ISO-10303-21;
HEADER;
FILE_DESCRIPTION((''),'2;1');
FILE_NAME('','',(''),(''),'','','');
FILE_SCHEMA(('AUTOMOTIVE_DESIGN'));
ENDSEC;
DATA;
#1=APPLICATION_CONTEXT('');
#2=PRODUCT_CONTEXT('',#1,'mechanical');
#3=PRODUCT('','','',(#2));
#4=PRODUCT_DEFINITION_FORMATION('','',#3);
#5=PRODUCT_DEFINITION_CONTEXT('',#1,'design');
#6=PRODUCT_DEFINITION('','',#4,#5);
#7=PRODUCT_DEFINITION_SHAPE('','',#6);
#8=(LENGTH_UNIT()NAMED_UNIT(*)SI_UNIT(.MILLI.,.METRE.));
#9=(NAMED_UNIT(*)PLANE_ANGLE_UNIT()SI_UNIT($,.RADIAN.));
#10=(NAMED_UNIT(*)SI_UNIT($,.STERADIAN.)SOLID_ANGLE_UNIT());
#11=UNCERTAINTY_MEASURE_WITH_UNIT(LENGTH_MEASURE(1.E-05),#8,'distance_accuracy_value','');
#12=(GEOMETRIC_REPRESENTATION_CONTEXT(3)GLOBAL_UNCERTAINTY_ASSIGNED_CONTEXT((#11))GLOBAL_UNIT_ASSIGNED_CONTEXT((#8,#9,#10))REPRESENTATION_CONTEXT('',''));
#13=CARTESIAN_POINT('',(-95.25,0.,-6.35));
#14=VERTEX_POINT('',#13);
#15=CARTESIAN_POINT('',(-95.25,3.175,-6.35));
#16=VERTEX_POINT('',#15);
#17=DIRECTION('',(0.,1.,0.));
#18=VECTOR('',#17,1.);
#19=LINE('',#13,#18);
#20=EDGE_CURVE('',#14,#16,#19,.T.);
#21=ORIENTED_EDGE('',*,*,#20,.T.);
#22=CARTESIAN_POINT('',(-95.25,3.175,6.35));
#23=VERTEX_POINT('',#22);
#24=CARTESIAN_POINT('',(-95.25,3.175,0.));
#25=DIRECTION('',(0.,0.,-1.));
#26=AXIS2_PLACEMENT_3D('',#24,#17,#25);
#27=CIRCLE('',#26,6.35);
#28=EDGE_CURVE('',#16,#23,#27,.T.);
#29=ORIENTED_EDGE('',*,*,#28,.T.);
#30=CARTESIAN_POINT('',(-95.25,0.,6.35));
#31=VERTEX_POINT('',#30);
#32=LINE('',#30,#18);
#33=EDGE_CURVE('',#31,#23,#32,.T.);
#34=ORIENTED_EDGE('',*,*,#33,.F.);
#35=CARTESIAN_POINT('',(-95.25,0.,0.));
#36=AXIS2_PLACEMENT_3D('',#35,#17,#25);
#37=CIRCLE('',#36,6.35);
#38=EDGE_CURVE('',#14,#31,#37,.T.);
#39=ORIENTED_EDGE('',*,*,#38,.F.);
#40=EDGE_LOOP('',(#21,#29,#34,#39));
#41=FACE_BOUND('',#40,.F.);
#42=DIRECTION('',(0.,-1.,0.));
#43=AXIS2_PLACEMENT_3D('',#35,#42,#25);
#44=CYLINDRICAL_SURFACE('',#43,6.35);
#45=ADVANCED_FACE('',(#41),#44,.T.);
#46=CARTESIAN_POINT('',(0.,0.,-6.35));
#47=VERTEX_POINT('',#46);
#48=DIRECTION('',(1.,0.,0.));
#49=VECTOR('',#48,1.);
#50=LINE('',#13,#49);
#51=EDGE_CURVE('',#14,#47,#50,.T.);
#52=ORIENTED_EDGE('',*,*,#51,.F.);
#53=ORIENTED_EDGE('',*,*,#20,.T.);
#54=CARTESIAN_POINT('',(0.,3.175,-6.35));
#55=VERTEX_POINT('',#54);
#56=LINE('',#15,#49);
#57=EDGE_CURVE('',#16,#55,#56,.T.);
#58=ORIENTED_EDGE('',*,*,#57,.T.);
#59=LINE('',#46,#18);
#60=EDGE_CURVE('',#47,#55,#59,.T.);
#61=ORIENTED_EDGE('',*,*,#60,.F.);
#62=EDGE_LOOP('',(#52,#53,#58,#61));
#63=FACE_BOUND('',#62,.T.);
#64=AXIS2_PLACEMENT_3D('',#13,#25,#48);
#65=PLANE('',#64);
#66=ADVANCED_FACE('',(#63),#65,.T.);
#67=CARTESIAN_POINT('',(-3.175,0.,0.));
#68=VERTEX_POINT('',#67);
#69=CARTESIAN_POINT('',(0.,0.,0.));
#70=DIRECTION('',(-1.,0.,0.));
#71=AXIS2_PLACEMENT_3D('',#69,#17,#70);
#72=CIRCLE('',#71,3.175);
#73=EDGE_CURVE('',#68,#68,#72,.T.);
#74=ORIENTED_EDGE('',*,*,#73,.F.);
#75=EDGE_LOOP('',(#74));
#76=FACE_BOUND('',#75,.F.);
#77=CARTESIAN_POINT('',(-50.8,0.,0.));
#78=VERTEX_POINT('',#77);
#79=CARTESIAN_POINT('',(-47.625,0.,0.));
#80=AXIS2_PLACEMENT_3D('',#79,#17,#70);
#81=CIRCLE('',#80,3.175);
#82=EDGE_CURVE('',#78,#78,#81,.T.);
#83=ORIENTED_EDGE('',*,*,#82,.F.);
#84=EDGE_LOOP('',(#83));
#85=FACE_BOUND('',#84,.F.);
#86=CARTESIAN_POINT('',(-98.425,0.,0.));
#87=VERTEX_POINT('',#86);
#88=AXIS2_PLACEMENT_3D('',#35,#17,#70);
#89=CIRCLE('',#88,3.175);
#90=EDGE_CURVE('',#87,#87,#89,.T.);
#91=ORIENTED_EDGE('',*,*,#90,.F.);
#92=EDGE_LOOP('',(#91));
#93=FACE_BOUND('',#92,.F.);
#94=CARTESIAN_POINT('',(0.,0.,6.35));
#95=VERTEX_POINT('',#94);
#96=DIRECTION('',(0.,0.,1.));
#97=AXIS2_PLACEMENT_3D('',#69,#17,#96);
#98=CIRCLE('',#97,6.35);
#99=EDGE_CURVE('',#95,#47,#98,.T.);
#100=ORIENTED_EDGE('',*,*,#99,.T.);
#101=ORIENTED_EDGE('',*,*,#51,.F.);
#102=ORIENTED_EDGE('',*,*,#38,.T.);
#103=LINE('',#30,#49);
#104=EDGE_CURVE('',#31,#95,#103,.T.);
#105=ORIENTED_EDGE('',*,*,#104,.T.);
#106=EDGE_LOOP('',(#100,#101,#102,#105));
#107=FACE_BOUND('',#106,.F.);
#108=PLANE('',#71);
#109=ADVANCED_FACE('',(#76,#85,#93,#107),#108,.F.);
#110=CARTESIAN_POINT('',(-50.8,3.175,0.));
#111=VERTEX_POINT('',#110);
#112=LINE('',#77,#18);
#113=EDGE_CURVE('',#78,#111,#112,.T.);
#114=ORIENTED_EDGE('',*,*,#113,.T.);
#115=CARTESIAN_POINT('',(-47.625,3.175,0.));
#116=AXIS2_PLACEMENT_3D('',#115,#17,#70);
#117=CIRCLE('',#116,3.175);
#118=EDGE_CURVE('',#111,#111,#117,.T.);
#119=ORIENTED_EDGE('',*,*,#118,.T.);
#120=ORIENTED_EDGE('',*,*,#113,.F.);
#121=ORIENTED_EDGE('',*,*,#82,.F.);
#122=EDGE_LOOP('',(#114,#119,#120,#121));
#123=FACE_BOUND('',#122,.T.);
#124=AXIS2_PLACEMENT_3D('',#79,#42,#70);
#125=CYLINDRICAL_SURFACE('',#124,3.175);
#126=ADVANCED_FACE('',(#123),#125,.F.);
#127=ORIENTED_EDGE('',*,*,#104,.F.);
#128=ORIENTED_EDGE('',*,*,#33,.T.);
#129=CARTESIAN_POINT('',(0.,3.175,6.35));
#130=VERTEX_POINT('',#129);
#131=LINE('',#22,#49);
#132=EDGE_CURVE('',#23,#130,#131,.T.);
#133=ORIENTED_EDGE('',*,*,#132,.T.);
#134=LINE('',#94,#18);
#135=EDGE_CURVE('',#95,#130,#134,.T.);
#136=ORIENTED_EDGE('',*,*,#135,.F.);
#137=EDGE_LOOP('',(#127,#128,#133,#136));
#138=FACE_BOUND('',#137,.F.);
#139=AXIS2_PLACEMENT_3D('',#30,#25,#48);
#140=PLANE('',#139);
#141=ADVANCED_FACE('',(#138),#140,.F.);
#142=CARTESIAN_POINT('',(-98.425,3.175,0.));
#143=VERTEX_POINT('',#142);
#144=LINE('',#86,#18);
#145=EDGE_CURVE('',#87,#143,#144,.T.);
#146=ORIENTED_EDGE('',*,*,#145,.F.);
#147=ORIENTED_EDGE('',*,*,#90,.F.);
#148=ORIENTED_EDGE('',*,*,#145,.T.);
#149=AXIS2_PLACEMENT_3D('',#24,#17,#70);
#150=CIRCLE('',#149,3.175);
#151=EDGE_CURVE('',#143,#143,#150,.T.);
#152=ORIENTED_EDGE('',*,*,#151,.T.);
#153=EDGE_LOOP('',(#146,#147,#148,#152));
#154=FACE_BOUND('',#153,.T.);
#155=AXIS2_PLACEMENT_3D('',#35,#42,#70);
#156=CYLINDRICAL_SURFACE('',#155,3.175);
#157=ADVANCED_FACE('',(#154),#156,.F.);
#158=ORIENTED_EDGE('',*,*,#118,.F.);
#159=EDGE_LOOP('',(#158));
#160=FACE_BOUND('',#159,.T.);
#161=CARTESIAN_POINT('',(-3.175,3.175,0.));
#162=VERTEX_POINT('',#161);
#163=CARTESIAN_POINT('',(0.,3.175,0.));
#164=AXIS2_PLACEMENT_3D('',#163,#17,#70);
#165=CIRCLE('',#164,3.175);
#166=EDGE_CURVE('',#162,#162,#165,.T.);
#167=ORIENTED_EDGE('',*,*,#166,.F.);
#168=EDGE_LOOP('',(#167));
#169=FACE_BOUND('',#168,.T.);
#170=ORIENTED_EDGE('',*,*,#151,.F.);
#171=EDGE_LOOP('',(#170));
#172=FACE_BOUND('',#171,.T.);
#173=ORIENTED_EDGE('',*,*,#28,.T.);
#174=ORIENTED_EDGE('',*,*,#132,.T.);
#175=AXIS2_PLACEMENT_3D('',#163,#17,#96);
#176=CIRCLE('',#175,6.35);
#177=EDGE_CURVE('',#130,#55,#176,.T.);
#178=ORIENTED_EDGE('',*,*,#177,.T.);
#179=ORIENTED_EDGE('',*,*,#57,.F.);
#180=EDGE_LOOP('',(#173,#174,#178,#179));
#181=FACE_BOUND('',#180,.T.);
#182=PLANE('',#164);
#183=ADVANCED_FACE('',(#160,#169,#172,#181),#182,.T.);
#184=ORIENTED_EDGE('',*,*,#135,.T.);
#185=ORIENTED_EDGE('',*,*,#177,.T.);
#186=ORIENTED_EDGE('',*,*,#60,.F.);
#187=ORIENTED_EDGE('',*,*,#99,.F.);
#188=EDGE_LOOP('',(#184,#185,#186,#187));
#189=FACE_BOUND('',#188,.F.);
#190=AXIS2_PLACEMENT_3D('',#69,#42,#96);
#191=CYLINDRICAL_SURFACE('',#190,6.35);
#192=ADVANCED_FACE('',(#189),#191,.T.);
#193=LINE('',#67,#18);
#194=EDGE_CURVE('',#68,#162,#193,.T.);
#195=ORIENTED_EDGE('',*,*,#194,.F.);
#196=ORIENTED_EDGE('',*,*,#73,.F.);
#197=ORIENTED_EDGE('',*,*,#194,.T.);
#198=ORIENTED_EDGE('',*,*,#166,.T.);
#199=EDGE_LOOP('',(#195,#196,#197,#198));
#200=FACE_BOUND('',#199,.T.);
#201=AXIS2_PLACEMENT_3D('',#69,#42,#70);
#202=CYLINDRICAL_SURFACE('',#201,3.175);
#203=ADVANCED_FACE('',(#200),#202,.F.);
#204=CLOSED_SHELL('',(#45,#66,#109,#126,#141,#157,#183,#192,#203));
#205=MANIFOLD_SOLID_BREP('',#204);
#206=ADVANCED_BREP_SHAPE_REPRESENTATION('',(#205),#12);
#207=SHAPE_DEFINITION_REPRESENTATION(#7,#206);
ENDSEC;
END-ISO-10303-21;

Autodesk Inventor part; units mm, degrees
ref_plane "YZ Plane" through (0, 0, 0) normal (1, 0, 0) x (0, 1, 0)
ref_plane "XZ Plane" through (0, 0, 0) normal (0, 1, 0) x (-1, 0, 0)
ref_plane "XY Plane" through (0, 0, 0) normal (0, 0, 1) x (1, 0, 0)
sketch "Sketch1" plane through (0, 0, 0) normal (0, 1, 0) x (-1, 0, 0)
  circle A0 centre (0, 0) radius 3.175
  circle A1 centre (95.25, 0) radius 3.175
  line L0 (95.25, 6.35) -> (0, 6.35)
  line L1 (95.25, -6.35) -> (0, -6.35)
  line L2 (95.25, 0) -> (0, 0) construction
  arc A2 (95.25, -6.35) -> (95.25, 6.35) centre (95.25, 0) ccw
  arc A3 (0, 6.35) -> (0, -6.35) centre (0, 0) ccw
  circle A4 centre (47.625, 0) radius 3.175
  dimension "d0" = 6.35
  dimension "d1" = 6.35
  dimension "d2" = 95.25
  dimension "d3" = 12.7
  dimension "d4" = 6.35
extrude "Extrusion1" add sketch "Sketch1" along normal blind 3.175
sketch "Sketch2" plane through (0, 3.175, 0) normal (0, 1, 0) x (1, 0, 0)
  circle A0 centre (0, 0) radius 6.35
  circle A1 centre (0, 0) radius 31.75
  dimension "d7" = 12.7
  dimension "d8" = 63.5
extrude "Extrusion2" [suppressed]
sketch "Sketch3" plane through (0, 3.175, 0) normal (0, 1, 0) x (1, 0, 0)
  line L0 (-3.6662, 6.35) -> (3.6662, 6.35)
  line L1 (3.6662, 6.35) -> (7.3323, 0)
  line L2 (7.3323, 0) -> (3.6662, -6.35)
  line L3 (3.6662, -6.35) -> (-3.6662, -6.35)
  line L4 (-3.6662, -6.35) -> (-7.3323, 0)
  line L5 (-7.3323, 0) -> (-3.6662, 6.35)
  circle A0 centre (-23.8125, 0) radius 2.54
  circle A1 centre (0, 0) radius 23.8125 construction
  circle A2 centre (-11.9062, -20.6222) radius 2.54
  circle A3 centre (11.9062, -20.6222) radius 2.54
  circle A4 centre (23.8125, 0) radius 2.54
  circle A5 centre (11.9062, 20.6222) radius 2.54
  circle A6 centre (-11.9063, 20.6222) radius 2.54
  circle A7 centre (0, 0) radius 12.7
  arc A8 (-31.1085, -6.35) -> (-31.1085, 6.35) centre (0, 0) ccw projected
  line L6 (-31.1085, -6.35) -> (-2.6494, -12.4206)
  line L7 (0, 6.35) -> (-95.25, 6.35) projected
  line L8 (-31.1085, 6.35) -> (-2.6494, 12.4206)
  dimension "d13" = 47.625
  dimension "d11" = 12.7
  dimension "d12" = 5.08
  dimension "d16" = 360
  dimension "d20" = 25.4
extrude "Extrusion3" [suppressed]
properties part number "OUTK_019_PanikSiscior" material "Aluminum 6061"
